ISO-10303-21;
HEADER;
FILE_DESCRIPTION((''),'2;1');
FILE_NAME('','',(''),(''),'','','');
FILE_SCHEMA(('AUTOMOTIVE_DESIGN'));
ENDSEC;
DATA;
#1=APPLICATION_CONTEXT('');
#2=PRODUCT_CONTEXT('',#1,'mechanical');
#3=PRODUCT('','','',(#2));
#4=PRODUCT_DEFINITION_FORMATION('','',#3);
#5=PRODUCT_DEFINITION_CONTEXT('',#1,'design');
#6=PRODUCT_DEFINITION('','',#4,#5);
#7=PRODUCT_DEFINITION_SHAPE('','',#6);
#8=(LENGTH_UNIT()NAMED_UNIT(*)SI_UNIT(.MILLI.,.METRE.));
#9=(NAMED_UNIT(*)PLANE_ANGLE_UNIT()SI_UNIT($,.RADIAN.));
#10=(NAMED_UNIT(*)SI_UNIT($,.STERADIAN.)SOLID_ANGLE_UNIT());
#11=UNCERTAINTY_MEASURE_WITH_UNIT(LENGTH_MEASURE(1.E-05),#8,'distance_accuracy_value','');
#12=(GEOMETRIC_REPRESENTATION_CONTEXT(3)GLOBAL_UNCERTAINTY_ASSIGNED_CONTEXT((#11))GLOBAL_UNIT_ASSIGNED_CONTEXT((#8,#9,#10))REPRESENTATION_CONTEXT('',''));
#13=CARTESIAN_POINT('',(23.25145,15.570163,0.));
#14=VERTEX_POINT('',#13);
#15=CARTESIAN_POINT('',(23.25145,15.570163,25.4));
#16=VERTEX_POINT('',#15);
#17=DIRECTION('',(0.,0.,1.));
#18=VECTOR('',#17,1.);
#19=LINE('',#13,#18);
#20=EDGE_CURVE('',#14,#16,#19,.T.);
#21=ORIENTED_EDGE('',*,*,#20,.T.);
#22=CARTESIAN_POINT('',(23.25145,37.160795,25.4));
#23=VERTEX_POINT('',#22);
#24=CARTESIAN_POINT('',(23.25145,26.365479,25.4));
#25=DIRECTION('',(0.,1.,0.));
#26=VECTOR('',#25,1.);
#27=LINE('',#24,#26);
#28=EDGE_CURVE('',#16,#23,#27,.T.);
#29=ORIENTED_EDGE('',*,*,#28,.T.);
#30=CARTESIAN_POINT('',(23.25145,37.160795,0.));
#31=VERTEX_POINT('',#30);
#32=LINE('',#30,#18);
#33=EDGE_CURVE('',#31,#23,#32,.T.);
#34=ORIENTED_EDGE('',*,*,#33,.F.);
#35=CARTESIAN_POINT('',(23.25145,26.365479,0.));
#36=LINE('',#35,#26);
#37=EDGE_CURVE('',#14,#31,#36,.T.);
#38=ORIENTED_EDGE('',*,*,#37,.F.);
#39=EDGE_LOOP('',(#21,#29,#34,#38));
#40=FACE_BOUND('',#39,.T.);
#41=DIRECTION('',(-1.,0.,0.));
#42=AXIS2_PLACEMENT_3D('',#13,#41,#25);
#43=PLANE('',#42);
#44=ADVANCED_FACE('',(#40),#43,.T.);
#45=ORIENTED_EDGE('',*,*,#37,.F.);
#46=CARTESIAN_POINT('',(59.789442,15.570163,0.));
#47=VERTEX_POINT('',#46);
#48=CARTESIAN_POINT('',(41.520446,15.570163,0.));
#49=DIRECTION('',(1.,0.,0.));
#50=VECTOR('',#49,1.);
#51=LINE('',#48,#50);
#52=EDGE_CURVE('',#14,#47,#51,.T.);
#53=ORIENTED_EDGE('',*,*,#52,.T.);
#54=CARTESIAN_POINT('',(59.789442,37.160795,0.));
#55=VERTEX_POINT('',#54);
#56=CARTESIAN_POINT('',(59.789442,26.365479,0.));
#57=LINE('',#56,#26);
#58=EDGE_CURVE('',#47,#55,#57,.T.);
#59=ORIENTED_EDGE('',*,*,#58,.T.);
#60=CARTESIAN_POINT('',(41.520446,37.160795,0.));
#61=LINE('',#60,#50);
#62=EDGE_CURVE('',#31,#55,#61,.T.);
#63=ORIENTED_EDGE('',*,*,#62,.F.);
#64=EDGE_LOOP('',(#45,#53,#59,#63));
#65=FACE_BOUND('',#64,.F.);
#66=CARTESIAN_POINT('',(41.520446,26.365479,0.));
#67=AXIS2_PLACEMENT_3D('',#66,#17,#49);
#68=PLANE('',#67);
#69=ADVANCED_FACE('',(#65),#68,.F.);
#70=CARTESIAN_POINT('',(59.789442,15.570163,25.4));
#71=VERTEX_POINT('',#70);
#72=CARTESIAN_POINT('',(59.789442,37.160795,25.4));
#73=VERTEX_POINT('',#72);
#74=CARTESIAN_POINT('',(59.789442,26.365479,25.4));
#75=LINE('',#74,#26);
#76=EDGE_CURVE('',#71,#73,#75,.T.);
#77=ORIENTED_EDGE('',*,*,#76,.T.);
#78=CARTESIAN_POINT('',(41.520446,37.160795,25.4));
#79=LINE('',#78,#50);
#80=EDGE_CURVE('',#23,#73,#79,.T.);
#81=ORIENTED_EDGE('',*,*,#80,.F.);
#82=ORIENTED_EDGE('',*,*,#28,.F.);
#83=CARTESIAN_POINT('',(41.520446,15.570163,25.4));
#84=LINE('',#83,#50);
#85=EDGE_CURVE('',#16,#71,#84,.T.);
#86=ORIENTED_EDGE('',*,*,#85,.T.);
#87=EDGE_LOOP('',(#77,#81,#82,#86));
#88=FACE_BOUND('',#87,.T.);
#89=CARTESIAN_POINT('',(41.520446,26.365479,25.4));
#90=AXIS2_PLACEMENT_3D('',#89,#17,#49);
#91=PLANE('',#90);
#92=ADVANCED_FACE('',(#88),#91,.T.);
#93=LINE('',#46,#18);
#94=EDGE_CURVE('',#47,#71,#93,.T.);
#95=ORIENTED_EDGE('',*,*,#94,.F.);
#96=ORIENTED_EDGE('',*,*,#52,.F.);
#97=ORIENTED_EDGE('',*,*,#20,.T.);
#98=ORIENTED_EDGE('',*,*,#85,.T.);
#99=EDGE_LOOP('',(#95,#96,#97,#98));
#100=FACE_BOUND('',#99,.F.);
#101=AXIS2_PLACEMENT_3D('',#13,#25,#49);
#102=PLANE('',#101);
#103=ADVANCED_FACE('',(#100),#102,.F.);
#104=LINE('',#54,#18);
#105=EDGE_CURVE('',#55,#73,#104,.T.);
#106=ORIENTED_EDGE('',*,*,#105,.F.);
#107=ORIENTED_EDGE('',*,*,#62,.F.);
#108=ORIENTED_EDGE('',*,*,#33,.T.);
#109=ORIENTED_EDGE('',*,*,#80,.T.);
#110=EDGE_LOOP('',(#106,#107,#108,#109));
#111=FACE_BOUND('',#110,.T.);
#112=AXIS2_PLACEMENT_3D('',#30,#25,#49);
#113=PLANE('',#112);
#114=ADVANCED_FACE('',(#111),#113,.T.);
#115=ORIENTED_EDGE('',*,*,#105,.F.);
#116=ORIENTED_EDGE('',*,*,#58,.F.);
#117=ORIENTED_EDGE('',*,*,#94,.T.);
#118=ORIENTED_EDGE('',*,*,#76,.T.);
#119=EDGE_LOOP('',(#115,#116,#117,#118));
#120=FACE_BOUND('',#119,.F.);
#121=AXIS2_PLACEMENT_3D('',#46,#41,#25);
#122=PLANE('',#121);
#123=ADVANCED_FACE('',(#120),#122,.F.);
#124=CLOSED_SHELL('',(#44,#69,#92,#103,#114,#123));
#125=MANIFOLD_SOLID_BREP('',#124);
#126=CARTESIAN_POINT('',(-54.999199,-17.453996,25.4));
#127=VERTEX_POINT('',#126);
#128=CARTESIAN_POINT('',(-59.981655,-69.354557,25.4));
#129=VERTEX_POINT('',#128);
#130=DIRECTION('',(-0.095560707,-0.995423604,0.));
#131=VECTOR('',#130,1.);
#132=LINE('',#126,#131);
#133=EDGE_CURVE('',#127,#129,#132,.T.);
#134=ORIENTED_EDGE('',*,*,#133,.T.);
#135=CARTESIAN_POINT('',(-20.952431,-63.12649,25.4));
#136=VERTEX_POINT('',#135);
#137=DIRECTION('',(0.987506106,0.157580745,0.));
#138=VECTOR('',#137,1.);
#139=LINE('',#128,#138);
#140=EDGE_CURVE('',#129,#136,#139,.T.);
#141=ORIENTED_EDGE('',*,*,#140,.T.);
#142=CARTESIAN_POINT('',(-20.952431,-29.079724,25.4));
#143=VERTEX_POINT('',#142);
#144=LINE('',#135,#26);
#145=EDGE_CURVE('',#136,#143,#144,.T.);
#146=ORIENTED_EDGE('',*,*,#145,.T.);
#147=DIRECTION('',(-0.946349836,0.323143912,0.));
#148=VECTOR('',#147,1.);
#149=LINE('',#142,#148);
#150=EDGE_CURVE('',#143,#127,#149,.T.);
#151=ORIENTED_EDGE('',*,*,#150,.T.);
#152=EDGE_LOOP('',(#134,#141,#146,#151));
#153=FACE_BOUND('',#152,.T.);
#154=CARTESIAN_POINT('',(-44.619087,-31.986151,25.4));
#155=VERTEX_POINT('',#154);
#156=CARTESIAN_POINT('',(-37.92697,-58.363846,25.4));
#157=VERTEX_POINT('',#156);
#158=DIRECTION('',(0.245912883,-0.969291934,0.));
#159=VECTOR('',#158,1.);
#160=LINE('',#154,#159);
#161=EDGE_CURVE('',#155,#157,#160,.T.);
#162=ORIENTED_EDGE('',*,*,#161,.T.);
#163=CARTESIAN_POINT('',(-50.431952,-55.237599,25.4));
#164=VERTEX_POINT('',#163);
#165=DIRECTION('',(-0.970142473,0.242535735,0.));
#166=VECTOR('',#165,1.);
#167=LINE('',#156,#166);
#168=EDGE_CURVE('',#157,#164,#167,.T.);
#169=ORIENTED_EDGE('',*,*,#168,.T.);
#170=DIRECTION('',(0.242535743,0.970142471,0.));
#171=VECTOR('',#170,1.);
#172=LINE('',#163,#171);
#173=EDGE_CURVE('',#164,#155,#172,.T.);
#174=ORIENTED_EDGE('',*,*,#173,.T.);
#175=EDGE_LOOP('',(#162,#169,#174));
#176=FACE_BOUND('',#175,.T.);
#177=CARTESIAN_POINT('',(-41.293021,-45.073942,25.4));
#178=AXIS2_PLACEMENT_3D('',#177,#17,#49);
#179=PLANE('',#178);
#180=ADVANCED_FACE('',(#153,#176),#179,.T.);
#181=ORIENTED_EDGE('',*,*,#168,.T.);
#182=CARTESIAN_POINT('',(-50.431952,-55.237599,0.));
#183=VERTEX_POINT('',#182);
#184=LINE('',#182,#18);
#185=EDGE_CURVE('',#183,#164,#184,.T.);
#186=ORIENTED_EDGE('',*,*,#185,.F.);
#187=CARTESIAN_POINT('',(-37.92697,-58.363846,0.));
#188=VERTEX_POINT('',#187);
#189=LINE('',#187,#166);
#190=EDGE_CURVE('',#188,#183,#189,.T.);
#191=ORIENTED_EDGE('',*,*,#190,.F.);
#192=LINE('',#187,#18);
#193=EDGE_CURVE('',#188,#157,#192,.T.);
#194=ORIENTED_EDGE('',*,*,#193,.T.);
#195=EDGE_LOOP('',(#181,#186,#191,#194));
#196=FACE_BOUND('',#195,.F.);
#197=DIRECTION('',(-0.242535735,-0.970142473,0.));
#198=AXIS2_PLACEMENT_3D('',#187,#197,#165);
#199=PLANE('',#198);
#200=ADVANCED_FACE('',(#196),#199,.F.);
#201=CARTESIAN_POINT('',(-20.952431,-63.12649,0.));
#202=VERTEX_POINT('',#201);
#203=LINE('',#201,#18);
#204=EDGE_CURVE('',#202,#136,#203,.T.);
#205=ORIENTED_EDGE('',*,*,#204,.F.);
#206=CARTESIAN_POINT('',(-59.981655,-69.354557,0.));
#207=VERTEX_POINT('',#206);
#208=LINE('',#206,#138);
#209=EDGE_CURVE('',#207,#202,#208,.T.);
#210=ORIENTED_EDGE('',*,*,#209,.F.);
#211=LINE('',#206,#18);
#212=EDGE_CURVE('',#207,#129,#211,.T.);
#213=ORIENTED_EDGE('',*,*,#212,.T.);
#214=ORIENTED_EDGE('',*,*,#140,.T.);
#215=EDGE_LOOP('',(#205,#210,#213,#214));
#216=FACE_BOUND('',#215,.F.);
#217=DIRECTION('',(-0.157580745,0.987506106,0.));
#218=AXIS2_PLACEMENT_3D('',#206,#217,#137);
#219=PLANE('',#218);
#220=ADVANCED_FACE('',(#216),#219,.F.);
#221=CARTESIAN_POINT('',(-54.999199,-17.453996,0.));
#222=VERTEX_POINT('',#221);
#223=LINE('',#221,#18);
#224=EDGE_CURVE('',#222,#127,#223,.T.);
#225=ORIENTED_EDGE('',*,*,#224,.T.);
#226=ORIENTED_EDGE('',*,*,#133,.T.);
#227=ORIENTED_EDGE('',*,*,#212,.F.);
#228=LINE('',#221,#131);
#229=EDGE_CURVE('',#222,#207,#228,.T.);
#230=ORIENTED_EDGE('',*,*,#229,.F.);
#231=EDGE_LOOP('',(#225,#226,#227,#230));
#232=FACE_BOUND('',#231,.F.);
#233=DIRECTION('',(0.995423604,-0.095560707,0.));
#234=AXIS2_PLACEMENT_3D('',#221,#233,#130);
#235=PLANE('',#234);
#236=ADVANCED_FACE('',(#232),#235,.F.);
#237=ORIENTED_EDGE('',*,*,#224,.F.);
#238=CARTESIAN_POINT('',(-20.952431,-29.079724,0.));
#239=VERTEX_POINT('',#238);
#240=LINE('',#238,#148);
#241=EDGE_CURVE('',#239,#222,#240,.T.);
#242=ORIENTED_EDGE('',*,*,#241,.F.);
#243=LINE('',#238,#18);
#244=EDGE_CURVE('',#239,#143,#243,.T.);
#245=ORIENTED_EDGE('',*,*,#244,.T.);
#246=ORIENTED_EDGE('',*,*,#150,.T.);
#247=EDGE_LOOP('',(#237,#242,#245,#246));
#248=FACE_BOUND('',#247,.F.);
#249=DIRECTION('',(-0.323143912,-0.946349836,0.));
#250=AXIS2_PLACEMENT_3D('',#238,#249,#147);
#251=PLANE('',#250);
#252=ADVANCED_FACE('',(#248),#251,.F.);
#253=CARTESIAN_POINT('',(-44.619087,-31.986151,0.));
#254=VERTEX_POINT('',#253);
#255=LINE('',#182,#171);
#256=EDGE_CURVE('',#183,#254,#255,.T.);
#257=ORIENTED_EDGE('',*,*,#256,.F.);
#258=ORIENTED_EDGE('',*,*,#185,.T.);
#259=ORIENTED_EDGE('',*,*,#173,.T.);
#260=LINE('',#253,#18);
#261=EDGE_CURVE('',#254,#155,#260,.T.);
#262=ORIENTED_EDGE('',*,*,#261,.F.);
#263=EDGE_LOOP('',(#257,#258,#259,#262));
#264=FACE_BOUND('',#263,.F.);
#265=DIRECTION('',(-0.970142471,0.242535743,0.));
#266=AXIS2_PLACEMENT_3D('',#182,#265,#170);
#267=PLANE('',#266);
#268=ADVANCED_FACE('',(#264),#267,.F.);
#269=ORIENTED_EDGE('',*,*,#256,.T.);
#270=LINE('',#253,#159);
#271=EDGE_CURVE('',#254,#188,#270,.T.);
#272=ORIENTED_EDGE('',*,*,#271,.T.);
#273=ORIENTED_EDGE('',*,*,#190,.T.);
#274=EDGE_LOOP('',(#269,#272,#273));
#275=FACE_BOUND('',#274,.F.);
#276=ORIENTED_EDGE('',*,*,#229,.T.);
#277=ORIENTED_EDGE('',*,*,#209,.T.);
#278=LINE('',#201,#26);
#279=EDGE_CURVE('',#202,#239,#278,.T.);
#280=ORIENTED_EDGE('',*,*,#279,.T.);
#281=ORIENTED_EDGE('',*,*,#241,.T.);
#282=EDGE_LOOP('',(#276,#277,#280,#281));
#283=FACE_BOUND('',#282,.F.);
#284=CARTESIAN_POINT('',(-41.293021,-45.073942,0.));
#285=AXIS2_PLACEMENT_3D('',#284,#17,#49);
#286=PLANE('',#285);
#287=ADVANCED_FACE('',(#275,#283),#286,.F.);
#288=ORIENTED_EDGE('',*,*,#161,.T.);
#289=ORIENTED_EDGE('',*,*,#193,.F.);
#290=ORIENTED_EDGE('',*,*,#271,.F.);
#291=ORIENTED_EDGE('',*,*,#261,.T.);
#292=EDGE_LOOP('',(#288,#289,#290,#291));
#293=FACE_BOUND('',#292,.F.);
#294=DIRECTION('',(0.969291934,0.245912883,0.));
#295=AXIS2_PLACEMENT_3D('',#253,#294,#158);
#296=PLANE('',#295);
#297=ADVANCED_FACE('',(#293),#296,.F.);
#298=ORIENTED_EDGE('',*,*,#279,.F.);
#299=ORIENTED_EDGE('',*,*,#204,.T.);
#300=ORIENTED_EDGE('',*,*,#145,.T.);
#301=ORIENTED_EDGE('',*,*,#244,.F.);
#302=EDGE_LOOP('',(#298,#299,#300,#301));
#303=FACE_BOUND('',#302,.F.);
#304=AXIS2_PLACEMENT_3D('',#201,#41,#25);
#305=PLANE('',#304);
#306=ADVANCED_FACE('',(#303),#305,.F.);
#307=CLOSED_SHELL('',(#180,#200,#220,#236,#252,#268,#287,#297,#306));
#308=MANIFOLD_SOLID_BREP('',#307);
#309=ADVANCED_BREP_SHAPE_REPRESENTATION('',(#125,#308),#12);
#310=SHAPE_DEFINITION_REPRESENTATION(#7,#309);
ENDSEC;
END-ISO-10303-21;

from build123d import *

# Parameters (mm, degrees)
F1_DEPTH = 25.4
F0_W     = 36.537992
F0_H     = 21.590633
F2_DEPTH = 25.4


with BuildPart() as f1:
    # F0 (on Top) → F1 (new body)
    with BuildSketch(Plane.XY):
        Polygon((-20.952431, -29.079724), (-54.999199, -17.453996), (-59.981655, -69.354557), (-20.952431, -63.12649), align=None)
        Polygon((-50.431952, -55.237599), (-44.619087, -31.986151), (-37.92697, -58.363846), align=None, mode=Mode.SUBTRACT)
    extrude(amount=F1_DEPTH)


with BuildPart() as f2:
    # F0 (on Top) → F2 (new body)
    with BuildSketch(Plane.XY):
        with Locations((41.520446, 26.365479)):
            Rectangle(F0_W, F0_H)
    extrude(amount=F2_DEPTH)


solid = Compound([f1.part, f2.part])
